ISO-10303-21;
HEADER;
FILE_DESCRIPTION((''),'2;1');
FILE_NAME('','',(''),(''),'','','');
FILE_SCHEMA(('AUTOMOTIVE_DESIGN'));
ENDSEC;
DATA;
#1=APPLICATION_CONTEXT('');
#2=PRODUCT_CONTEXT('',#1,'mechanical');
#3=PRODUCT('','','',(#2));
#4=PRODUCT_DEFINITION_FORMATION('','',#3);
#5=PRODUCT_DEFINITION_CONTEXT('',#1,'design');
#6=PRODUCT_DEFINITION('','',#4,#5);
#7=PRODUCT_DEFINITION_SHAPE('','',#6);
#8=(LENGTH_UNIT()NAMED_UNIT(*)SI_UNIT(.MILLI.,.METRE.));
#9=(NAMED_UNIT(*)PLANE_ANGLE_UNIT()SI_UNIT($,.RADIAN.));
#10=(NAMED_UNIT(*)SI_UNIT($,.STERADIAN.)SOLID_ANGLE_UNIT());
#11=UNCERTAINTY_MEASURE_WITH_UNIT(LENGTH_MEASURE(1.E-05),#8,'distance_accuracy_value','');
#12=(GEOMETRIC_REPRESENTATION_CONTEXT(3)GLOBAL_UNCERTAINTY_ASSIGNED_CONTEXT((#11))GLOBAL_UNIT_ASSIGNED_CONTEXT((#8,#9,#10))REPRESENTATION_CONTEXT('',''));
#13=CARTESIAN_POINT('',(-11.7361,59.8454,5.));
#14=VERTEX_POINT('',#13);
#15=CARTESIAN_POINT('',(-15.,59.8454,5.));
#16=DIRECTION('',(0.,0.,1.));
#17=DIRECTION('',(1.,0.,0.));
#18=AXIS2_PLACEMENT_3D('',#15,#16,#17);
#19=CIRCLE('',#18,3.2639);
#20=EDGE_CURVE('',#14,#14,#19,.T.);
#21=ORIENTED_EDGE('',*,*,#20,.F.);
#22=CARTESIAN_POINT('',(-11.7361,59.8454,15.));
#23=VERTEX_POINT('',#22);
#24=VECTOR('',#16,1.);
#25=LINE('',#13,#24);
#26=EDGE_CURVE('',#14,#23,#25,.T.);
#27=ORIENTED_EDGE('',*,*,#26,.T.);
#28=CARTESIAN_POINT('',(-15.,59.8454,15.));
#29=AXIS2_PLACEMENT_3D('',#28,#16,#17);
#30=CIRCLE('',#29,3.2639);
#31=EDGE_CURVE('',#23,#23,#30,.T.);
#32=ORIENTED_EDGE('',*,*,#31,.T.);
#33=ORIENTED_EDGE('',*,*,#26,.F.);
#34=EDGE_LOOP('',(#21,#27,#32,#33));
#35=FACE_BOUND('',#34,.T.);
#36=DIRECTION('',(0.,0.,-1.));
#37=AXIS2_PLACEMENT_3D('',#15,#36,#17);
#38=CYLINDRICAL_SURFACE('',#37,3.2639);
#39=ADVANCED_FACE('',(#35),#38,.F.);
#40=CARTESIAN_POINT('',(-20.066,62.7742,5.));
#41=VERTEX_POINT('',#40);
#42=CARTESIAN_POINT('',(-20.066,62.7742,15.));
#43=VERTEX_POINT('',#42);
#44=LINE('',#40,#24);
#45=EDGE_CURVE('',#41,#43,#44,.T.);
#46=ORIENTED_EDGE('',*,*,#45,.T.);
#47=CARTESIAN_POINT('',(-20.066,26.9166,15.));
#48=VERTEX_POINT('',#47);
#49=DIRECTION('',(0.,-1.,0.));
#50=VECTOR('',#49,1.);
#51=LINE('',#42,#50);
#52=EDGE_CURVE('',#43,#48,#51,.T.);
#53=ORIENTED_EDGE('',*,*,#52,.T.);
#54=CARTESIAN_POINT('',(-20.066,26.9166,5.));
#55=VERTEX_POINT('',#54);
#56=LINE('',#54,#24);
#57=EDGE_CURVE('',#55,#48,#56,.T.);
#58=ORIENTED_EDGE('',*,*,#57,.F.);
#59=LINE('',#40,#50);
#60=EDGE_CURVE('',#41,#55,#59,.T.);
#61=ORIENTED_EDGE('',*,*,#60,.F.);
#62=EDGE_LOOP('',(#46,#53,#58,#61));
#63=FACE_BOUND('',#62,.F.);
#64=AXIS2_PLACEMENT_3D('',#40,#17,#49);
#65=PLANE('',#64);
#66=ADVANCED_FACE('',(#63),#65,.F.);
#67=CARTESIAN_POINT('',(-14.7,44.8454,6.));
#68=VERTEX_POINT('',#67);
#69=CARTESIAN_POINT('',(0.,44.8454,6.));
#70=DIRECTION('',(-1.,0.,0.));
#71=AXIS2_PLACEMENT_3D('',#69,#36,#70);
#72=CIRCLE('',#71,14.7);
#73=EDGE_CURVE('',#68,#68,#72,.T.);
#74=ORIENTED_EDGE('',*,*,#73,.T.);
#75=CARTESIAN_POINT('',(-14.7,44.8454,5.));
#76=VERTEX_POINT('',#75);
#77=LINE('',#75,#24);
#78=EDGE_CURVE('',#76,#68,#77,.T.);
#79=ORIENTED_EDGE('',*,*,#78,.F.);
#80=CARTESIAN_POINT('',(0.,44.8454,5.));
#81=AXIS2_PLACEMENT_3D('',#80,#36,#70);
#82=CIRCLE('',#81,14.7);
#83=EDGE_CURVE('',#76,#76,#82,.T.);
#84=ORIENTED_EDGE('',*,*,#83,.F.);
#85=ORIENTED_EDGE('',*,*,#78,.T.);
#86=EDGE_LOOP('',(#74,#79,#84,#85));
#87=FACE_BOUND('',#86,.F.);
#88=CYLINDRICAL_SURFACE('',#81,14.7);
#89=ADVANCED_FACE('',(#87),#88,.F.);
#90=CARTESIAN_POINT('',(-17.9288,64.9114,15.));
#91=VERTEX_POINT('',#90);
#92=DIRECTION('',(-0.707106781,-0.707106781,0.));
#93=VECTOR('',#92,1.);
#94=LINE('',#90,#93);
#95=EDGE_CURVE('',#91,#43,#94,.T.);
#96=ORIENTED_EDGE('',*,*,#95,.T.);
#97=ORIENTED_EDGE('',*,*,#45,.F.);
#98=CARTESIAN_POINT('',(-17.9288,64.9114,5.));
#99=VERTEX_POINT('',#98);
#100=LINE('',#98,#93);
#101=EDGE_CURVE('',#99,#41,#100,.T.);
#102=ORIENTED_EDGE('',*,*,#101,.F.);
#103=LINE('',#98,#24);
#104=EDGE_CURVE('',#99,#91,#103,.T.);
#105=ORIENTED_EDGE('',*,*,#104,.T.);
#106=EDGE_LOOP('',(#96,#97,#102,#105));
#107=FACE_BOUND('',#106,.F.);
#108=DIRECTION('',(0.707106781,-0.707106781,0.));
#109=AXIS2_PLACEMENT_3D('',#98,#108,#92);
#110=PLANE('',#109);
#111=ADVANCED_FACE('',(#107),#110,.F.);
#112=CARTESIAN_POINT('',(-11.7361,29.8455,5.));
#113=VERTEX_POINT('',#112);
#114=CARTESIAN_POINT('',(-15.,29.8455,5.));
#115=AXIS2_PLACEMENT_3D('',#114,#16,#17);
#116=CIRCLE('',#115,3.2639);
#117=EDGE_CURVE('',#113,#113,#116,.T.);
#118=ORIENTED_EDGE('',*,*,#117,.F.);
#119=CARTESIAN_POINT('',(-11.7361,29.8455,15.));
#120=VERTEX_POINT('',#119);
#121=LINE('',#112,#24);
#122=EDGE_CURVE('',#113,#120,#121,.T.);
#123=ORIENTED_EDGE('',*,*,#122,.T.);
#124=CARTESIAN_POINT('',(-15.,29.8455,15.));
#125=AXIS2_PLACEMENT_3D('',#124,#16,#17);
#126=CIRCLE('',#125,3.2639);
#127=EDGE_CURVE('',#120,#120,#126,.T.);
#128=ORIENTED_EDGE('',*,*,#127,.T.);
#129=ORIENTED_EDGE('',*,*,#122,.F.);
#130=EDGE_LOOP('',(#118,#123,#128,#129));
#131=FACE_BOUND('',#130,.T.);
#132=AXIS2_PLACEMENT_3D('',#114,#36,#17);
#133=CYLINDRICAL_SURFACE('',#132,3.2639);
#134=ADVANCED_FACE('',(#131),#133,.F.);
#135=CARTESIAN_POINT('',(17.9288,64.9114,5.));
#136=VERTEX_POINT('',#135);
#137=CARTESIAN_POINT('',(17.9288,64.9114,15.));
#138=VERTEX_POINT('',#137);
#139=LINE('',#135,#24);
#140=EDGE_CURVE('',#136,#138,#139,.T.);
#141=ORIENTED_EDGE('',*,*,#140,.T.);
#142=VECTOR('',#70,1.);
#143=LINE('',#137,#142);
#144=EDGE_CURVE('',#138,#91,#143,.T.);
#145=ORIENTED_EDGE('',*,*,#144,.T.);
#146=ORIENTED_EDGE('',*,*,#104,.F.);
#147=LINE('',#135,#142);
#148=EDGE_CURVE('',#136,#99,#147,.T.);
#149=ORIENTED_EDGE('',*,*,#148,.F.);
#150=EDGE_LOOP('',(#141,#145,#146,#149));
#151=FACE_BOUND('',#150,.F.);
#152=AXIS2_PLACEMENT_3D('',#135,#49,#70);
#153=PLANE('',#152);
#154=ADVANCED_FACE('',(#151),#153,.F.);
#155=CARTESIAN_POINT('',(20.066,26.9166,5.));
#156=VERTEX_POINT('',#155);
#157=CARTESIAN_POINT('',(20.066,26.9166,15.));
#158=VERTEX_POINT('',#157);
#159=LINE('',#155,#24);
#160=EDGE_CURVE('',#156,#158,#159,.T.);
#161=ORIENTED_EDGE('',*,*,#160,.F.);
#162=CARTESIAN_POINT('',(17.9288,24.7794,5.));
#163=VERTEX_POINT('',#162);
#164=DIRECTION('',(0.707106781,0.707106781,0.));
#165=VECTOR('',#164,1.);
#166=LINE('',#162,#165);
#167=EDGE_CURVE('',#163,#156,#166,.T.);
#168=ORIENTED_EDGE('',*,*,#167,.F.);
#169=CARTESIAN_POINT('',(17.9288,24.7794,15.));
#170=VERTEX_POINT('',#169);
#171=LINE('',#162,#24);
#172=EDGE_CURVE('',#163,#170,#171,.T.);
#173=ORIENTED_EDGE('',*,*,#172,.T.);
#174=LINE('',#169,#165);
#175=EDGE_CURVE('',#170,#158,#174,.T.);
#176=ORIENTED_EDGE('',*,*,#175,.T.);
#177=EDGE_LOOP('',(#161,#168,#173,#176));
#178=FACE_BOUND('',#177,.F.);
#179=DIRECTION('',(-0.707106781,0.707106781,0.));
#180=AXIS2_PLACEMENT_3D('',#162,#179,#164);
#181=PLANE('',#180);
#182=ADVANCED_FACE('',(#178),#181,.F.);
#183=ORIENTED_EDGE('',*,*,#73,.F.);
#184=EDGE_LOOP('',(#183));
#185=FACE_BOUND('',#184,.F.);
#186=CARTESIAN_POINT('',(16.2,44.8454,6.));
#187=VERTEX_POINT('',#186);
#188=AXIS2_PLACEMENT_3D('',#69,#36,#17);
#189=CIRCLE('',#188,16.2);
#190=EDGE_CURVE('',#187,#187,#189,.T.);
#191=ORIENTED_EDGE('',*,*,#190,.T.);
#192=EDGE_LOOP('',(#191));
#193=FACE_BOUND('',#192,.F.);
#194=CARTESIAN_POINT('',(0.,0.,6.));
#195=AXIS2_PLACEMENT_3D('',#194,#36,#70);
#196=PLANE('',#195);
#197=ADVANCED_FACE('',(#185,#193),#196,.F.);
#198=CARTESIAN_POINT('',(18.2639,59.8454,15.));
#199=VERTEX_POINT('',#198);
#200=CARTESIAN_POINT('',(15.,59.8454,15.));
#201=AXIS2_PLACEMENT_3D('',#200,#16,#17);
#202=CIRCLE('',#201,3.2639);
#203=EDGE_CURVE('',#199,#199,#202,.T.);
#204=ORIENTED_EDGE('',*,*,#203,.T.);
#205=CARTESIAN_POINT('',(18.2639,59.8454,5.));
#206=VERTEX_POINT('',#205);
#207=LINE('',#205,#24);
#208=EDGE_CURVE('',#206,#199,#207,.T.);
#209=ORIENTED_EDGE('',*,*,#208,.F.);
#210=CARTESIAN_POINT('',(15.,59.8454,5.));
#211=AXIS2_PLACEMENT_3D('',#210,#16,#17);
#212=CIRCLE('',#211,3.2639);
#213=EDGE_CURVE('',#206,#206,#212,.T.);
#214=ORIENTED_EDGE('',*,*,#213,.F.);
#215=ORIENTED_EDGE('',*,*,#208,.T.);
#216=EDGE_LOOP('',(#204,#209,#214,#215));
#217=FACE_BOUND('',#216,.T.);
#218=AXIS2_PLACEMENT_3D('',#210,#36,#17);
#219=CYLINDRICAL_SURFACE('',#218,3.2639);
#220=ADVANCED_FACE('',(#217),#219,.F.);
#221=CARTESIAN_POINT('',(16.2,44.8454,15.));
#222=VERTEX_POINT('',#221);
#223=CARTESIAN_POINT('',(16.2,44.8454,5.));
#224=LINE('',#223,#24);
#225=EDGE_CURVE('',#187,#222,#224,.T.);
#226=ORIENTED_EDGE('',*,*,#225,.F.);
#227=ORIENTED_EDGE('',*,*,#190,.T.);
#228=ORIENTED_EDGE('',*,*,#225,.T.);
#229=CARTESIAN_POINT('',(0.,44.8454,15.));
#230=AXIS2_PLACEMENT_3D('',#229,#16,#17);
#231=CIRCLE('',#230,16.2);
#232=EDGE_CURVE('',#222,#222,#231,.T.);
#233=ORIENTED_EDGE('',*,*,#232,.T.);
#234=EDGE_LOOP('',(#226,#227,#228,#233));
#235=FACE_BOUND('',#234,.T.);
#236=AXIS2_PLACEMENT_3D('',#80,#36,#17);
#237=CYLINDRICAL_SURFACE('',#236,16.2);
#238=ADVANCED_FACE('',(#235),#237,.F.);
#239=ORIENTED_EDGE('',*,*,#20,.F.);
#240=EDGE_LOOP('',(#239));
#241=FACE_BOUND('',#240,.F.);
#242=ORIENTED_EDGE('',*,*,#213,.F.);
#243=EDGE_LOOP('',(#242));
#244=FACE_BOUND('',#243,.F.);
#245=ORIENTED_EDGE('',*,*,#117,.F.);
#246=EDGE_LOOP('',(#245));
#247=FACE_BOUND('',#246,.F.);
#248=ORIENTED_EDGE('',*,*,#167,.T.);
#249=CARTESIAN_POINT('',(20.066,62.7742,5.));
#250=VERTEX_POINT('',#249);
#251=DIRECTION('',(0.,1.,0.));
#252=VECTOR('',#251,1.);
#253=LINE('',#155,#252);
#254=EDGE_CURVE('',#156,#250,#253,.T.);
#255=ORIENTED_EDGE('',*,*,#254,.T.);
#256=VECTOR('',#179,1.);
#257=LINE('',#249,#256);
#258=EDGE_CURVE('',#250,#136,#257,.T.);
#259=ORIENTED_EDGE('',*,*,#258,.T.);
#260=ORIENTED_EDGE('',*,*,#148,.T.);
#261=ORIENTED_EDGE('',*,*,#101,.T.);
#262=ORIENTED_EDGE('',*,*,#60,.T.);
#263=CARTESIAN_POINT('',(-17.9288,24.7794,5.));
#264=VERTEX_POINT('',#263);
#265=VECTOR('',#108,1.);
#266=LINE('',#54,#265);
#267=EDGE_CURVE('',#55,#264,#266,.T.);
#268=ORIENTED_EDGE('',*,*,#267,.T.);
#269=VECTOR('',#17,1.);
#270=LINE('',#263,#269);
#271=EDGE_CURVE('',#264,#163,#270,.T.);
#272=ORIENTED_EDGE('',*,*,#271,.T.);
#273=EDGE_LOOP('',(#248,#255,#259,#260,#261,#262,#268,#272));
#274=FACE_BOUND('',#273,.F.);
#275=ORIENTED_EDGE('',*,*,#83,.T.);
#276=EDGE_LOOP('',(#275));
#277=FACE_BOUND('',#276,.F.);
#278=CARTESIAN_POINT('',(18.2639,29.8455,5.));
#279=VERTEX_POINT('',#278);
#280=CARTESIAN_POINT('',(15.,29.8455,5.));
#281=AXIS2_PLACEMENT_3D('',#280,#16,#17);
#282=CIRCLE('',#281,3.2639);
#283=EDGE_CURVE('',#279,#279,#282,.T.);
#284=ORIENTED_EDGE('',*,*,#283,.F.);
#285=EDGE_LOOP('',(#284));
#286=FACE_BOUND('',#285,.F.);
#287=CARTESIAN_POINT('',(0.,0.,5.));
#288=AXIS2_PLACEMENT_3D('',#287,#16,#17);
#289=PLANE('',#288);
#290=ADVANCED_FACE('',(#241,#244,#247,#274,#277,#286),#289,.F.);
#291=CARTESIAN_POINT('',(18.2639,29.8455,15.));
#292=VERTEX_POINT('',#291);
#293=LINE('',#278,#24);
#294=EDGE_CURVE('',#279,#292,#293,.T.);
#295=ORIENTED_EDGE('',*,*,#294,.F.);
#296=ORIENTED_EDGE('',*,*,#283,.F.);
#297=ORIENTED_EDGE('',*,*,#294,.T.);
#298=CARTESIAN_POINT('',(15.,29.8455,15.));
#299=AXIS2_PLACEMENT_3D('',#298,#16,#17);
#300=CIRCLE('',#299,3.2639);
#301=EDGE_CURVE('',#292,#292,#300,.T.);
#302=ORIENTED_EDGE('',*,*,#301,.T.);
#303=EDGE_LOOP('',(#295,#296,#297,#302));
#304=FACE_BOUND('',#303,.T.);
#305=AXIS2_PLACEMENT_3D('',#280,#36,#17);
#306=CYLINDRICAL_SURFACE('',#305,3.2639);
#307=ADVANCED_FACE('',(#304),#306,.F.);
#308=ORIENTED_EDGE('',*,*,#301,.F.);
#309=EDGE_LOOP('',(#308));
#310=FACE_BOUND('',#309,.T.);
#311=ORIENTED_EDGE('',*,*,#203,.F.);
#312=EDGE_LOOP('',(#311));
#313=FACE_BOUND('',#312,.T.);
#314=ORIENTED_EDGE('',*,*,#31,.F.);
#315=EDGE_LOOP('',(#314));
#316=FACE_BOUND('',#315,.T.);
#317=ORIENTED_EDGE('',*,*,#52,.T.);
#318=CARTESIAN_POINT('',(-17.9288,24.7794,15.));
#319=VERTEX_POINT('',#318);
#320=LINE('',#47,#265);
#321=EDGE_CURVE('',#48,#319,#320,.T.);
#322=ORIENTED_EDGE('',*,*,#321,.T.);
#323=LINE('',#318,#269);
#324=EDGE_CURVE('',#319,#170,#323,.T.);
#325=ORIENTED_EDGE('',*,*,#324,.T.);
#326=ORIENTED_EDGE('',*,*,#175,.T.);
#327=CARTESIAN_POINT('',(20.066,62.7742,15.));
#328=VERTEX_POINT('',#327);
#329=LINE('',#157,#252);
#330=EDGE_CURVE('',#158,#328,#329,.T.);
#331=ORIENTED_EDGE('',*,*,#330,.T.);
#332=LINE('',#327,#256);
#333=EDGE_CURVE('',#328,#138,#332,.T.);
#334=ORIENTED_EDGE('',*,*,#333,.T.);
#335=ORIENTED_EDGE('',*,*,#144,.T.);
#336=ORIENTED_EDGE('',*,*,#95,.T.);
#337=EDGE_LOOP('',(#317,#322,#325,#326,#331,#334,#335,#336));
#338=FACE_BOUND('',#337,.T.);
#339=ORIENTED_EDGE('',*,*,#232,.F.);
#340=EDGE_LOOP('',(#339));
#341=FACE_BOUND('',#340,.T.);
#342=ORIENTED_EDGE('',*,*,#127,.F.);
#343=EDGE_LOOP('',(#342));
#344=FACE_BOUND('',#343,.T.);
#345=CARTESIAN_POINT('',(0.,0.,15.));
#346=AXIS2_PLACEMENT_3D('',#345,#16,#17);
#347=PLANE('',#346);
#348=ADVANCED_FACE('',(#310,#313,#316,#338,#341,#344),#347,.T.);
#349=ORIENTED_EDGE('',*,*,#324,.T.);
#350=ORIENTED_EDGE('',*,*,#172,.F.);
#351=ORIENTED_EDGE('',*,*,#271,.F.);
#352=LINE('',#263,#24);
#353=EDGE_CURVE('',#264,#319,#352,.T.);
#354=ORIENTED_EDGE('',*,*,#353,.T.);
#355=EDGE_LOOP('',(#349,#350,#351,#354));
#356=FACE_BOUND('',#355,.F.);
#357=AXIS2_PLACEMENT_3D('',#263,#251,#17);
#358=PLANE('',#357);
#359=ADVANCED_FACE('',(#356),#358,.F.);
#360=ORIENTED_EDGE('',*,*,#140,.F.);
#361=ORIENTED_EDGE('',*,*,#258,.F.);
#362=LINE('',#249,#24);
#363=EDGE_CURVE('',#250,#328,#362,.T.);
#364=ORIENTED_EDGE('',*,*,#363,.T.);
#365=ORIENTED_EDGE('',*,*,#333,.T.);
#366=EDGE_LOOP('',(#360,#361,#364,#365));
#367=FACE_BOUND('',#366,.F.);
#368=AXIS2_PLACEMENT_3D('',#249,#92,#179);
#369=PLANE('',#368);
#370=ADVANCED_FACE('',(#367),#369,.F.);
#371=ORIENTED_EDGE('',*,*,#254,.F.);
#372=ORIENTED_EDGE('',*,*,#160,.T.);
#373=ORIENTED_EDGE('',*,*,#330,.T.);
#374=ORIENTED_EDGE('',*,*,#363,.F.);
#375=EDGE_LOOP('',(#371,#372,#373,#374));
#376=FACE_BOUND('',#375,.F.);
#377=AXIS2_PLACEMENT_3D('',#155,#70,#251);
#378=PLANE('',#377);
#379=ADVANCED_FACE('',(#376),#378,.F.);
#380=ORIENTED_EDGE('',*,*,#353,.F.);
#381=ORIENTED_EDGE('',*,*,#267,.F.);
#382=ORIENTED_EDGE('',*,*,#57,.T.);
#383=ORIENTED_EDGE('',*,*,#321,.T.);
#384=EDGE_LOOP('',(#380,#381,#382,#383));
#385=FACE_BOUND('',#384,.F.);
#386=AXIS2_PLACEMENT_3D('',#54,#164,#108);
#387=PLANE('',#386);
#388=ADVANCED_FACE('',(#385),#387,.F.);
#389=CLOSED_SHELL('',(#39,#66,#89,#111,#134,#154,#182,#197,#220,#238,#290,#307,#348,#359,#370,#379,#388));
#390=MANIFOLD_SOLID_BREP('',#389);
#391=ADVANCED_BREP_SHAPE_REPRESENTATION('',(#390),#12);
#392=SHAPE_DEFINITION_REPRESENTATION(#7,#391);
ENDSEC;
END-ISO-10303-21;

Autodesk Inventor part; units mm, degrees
ref_plane "YZ Plane" through (0, 0, 0) normal (1, 0, 0) x (0, 1, 0)
ref_plane "XZ Plane" through (0, 0, 0) normal (0, 1, 0) x (-1, 0, 0)
ref_plane "XY Plane" through (0, 0, 0) normal (0, 0, 1) x (1, 0, 0)
ref_plane "Work Plane1" through (0, 0, 5) normal (0, 0, 1) x (1, 0, 0)
sketch "Sketch1" plane through (0, 0, 5) normal (0, 0, 1) x (1, 0, 0)
  circle A0 centre (15, 59.8454) radius 3.2639 projected
  line L0 (-20.066, 62.7742) -> (-20.066, 26.9166)
  line L1 (-20.066, 26.9166) -> (-17.9288, 24.7794)
  line L2 (-17.9288, 24.7794) -> (17.9288, 24.7794)
  line L3 (17.9288, 24.7794) -> (20.066, 26.9166)
  line L4 (20.066, 26.9166) -> (20.066, 62.7742)
  line L5 (20.066, 62.7742) -> (17.9288, 64.9114)
  line L6 (17.9288, 64.9114) -> (-17.9288, 64.9114)
  line L7 (-17.9288, 64.9114) -> (-20.066, 62.7742)
  circle A1 centre (15, 29.8455) radius 3.2639
  circle A2 centre (15, 59.8454) radius 3.2639
  circle A3 centre (-15, 59.8454) radius 3.2639
  circle A4 centre (-15, 29.8455) radius 3.2639
  circle A5 centre (0, 44.8454) radius 16.2
  circle A6 centre (0, 44.8454) radius 12.9 construction
  point P0 (0, 0)
  dimension "d5" = 40.132
  dimension "d6" = 40.132
  dimension "d7" = 5.066
  dimension "d8" = 5.066
  dimension "d9" = 32.4
extrude "Extrusion1" add sketch "Sketch1" along normal blind 10
sketch "Sketch2" plane through (0, 0, 5) normal (0, 0, -1) x (-1, 0, 0)
  circle A0 centre (0, 44.8454) radius 16.2 projected
  circle A1 centre (15, 29.8455) radius 3.2639 projected
  circle A2 centre (15, 59.8454) radius 3.2639 projected
  circle A3 centre (-15, 29.8455) radius 3.2639 projected
  circle A4 centre (-15, 59.8454) radius 3.2639 projected
  line L0 (20.066, 62.7742) -> (20.066, 26.9166) projected
  line L1 (20.066, 26.9166) -> (17.9288, 24.7794) projected
  line L2 (17.9288, 24.7794) -> (-17.9288, 24.7794) projected
  line L3 (-17.9288, 24.7794) -> (-20.066, 26.9166) projected
  line L4 (-20.066, 26.9166) -> (-20.066, 62.7742) projected
  line L5 (-20.066, 62.7742) -> (-17.9288, 64.9114) projected
  line L6 (-17.9288, 64.9114) -> (17.9288, 64.9114) projected
  line L7 (17.9288, 64.9114) -> (20.066, 62.7742) projected
  circle A5 centre (0, 44.8454) radius 14.7
  point P0 (0, 0)
  dimension "d11" = 1.5
extrude "Extrusion2" add sketch "Sketch2" against normal blind 1 contours A0
properties part number "11_Lens_Thorlabs_Mount_Customized_B"
